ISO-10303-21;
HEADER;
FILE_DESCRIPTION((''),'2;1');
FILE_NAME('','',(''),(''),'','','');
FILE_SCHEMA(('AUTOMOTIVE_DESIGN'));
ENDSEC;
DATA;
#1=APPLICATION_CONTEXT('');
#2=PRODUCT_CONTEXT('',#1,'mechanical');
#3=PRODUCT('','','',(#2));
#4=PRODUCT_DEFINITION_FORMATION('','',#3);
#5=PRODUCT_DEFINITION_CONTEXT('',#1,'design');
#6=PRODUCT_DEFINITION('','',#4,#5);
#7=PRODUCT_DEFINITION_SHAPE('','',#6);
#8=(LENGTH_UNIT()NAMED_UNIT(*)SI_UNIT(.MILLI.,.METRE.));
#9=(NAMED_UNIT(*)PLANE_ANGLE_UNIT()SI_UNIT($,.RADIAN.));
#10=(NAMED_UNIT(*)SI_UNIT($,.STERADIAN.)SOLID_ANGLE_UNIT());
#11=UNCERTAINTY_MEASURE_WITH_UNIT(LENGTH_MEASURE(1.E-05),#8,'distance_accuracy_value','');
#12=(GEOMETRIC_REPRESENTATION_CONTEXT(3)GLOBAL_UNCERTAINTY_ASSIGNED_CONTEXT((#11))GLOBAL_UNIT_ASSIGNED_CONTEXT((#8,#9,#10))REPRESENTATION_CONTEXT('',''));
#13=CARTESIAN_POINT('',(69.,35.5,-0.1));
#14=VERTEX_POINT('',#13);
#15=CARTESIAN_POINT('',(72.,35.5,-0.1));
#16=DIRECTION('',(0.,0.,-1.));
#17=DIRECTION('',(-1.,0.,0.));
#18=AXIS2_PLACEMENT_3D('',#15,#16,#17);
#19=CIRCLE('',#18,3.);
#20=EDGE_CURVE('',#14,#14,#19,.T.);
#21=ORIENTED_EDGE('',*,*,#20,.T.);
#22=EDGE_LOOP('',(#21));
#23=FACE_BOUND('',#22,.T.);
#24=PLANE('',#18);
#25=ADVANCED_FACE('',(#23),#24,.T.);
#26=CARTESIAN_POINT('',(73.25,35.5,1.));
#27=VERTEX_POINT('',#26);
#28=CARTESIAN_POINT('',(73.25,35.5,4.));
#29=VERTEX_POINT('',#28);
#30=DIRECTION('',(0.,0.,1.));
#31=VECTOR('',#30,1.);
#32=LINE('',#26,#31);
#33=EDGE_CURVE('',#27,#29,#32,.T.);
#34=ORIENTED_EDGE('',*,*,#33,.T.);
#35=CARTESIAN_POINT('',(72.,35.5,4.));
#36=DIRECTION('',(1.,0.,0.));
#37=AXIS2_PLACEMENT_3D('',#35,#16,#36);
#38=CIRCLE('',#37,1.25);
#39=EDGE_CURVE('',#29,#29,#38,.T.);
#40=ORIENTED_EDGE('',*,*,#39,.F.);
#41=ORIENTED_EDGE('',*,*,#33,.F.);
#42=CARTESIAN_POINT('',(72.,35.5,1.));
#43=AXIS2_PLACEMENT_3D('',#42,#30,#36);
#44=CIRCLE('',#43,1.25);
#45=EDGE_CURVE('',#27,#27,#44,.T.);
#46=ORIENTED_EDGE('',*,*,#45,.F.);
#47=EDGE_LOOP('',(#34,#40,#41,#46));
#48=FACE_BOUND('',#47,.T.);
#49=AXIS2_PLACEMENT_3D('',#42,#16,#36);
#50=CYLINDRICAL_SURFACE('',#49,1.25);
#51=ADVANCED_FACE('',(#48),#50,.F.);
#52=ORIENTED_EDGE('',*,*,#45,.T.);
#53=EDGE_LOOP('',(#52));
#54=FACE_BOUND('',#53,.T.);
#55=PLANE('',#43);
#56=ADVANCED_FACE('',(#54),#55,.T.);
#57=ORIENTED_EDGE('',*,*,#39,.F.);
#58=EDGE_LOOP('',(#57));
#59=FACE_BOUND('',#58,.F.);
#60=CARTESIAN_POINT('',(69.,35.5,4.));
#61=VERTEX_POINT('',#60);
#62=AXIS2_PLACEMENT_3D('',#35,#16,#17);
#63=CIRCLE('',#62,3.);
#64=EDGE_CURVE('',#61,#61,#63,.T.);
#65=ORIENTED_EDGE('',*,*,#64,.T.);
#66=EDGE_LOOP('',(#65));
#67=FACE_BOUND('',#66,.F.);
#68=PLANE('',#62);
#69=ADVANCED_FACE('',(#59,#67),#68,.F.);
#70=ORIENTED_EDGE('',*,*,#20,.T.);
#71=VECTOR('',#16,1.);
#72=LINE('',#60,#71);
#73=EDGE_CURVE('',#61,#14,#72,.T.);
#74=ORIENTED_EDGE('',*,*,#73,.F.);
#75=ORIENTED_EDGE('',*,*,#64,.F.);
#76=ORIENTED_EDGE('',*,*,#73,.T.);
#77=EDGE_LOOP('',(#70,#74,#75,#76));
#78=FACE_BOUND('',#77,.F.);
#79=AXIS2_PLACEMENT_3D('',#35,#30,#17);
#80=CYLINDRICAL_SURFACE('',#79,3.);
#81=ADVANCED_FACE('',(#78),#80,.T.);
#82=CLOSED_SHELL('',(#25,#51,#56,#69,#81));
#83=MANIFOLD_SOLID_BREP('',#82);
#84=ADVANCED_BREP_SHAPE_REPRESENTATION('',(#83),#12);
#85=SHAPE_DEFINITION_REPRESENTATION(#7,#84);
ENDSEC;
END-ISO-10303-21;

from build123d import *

# Parameters (mm, degrees)
CYLINDER081_R          = 1.25
CYLINDER081_DEPTH      = 5
CYLINDER080_R          = 3
CYLINDER080_DEPTH      = 4.1
CUT041_PLACEMENT_ANGLE = 90


with BuildPart() as b_w018:
    # Cylinder081 → Cylinder081 (new body)
    with BuildSketch(Plane(origin=(2, 6, 26), x_dir=(0, 0, 1), z_dir=(-1, 0, 0))):
        Circle(CYLINDER081_R)
    extrude(amount=CYLINDER081_DEPTH)


with BuildPart() as h_no:
    # Cylinder080 → Cylinder080 (new body)
    with BuildSketch(Plane(origin=(-1, 6, 26), x_dir=(0, 0, -1), z_dir=(1, 0, 0))):
        Circle(CYLINDER080_R)
    extrude(amount=CYLINDER080_DEPTH)

    # Cut041: cut B_W018
    add(b_w018.part, mode=Mode.SUBTRACT)


with BuildPart() as h_no_1:
    # Cut041 placement: moved
    add(h_no.part.moved(Location((46, 29.5, 3))).rotate(Axis((46, 29.5, 3), (0, 1, 0)), CUT041_PLACEMENT_ANGLE))


solid = h_no_1.part
